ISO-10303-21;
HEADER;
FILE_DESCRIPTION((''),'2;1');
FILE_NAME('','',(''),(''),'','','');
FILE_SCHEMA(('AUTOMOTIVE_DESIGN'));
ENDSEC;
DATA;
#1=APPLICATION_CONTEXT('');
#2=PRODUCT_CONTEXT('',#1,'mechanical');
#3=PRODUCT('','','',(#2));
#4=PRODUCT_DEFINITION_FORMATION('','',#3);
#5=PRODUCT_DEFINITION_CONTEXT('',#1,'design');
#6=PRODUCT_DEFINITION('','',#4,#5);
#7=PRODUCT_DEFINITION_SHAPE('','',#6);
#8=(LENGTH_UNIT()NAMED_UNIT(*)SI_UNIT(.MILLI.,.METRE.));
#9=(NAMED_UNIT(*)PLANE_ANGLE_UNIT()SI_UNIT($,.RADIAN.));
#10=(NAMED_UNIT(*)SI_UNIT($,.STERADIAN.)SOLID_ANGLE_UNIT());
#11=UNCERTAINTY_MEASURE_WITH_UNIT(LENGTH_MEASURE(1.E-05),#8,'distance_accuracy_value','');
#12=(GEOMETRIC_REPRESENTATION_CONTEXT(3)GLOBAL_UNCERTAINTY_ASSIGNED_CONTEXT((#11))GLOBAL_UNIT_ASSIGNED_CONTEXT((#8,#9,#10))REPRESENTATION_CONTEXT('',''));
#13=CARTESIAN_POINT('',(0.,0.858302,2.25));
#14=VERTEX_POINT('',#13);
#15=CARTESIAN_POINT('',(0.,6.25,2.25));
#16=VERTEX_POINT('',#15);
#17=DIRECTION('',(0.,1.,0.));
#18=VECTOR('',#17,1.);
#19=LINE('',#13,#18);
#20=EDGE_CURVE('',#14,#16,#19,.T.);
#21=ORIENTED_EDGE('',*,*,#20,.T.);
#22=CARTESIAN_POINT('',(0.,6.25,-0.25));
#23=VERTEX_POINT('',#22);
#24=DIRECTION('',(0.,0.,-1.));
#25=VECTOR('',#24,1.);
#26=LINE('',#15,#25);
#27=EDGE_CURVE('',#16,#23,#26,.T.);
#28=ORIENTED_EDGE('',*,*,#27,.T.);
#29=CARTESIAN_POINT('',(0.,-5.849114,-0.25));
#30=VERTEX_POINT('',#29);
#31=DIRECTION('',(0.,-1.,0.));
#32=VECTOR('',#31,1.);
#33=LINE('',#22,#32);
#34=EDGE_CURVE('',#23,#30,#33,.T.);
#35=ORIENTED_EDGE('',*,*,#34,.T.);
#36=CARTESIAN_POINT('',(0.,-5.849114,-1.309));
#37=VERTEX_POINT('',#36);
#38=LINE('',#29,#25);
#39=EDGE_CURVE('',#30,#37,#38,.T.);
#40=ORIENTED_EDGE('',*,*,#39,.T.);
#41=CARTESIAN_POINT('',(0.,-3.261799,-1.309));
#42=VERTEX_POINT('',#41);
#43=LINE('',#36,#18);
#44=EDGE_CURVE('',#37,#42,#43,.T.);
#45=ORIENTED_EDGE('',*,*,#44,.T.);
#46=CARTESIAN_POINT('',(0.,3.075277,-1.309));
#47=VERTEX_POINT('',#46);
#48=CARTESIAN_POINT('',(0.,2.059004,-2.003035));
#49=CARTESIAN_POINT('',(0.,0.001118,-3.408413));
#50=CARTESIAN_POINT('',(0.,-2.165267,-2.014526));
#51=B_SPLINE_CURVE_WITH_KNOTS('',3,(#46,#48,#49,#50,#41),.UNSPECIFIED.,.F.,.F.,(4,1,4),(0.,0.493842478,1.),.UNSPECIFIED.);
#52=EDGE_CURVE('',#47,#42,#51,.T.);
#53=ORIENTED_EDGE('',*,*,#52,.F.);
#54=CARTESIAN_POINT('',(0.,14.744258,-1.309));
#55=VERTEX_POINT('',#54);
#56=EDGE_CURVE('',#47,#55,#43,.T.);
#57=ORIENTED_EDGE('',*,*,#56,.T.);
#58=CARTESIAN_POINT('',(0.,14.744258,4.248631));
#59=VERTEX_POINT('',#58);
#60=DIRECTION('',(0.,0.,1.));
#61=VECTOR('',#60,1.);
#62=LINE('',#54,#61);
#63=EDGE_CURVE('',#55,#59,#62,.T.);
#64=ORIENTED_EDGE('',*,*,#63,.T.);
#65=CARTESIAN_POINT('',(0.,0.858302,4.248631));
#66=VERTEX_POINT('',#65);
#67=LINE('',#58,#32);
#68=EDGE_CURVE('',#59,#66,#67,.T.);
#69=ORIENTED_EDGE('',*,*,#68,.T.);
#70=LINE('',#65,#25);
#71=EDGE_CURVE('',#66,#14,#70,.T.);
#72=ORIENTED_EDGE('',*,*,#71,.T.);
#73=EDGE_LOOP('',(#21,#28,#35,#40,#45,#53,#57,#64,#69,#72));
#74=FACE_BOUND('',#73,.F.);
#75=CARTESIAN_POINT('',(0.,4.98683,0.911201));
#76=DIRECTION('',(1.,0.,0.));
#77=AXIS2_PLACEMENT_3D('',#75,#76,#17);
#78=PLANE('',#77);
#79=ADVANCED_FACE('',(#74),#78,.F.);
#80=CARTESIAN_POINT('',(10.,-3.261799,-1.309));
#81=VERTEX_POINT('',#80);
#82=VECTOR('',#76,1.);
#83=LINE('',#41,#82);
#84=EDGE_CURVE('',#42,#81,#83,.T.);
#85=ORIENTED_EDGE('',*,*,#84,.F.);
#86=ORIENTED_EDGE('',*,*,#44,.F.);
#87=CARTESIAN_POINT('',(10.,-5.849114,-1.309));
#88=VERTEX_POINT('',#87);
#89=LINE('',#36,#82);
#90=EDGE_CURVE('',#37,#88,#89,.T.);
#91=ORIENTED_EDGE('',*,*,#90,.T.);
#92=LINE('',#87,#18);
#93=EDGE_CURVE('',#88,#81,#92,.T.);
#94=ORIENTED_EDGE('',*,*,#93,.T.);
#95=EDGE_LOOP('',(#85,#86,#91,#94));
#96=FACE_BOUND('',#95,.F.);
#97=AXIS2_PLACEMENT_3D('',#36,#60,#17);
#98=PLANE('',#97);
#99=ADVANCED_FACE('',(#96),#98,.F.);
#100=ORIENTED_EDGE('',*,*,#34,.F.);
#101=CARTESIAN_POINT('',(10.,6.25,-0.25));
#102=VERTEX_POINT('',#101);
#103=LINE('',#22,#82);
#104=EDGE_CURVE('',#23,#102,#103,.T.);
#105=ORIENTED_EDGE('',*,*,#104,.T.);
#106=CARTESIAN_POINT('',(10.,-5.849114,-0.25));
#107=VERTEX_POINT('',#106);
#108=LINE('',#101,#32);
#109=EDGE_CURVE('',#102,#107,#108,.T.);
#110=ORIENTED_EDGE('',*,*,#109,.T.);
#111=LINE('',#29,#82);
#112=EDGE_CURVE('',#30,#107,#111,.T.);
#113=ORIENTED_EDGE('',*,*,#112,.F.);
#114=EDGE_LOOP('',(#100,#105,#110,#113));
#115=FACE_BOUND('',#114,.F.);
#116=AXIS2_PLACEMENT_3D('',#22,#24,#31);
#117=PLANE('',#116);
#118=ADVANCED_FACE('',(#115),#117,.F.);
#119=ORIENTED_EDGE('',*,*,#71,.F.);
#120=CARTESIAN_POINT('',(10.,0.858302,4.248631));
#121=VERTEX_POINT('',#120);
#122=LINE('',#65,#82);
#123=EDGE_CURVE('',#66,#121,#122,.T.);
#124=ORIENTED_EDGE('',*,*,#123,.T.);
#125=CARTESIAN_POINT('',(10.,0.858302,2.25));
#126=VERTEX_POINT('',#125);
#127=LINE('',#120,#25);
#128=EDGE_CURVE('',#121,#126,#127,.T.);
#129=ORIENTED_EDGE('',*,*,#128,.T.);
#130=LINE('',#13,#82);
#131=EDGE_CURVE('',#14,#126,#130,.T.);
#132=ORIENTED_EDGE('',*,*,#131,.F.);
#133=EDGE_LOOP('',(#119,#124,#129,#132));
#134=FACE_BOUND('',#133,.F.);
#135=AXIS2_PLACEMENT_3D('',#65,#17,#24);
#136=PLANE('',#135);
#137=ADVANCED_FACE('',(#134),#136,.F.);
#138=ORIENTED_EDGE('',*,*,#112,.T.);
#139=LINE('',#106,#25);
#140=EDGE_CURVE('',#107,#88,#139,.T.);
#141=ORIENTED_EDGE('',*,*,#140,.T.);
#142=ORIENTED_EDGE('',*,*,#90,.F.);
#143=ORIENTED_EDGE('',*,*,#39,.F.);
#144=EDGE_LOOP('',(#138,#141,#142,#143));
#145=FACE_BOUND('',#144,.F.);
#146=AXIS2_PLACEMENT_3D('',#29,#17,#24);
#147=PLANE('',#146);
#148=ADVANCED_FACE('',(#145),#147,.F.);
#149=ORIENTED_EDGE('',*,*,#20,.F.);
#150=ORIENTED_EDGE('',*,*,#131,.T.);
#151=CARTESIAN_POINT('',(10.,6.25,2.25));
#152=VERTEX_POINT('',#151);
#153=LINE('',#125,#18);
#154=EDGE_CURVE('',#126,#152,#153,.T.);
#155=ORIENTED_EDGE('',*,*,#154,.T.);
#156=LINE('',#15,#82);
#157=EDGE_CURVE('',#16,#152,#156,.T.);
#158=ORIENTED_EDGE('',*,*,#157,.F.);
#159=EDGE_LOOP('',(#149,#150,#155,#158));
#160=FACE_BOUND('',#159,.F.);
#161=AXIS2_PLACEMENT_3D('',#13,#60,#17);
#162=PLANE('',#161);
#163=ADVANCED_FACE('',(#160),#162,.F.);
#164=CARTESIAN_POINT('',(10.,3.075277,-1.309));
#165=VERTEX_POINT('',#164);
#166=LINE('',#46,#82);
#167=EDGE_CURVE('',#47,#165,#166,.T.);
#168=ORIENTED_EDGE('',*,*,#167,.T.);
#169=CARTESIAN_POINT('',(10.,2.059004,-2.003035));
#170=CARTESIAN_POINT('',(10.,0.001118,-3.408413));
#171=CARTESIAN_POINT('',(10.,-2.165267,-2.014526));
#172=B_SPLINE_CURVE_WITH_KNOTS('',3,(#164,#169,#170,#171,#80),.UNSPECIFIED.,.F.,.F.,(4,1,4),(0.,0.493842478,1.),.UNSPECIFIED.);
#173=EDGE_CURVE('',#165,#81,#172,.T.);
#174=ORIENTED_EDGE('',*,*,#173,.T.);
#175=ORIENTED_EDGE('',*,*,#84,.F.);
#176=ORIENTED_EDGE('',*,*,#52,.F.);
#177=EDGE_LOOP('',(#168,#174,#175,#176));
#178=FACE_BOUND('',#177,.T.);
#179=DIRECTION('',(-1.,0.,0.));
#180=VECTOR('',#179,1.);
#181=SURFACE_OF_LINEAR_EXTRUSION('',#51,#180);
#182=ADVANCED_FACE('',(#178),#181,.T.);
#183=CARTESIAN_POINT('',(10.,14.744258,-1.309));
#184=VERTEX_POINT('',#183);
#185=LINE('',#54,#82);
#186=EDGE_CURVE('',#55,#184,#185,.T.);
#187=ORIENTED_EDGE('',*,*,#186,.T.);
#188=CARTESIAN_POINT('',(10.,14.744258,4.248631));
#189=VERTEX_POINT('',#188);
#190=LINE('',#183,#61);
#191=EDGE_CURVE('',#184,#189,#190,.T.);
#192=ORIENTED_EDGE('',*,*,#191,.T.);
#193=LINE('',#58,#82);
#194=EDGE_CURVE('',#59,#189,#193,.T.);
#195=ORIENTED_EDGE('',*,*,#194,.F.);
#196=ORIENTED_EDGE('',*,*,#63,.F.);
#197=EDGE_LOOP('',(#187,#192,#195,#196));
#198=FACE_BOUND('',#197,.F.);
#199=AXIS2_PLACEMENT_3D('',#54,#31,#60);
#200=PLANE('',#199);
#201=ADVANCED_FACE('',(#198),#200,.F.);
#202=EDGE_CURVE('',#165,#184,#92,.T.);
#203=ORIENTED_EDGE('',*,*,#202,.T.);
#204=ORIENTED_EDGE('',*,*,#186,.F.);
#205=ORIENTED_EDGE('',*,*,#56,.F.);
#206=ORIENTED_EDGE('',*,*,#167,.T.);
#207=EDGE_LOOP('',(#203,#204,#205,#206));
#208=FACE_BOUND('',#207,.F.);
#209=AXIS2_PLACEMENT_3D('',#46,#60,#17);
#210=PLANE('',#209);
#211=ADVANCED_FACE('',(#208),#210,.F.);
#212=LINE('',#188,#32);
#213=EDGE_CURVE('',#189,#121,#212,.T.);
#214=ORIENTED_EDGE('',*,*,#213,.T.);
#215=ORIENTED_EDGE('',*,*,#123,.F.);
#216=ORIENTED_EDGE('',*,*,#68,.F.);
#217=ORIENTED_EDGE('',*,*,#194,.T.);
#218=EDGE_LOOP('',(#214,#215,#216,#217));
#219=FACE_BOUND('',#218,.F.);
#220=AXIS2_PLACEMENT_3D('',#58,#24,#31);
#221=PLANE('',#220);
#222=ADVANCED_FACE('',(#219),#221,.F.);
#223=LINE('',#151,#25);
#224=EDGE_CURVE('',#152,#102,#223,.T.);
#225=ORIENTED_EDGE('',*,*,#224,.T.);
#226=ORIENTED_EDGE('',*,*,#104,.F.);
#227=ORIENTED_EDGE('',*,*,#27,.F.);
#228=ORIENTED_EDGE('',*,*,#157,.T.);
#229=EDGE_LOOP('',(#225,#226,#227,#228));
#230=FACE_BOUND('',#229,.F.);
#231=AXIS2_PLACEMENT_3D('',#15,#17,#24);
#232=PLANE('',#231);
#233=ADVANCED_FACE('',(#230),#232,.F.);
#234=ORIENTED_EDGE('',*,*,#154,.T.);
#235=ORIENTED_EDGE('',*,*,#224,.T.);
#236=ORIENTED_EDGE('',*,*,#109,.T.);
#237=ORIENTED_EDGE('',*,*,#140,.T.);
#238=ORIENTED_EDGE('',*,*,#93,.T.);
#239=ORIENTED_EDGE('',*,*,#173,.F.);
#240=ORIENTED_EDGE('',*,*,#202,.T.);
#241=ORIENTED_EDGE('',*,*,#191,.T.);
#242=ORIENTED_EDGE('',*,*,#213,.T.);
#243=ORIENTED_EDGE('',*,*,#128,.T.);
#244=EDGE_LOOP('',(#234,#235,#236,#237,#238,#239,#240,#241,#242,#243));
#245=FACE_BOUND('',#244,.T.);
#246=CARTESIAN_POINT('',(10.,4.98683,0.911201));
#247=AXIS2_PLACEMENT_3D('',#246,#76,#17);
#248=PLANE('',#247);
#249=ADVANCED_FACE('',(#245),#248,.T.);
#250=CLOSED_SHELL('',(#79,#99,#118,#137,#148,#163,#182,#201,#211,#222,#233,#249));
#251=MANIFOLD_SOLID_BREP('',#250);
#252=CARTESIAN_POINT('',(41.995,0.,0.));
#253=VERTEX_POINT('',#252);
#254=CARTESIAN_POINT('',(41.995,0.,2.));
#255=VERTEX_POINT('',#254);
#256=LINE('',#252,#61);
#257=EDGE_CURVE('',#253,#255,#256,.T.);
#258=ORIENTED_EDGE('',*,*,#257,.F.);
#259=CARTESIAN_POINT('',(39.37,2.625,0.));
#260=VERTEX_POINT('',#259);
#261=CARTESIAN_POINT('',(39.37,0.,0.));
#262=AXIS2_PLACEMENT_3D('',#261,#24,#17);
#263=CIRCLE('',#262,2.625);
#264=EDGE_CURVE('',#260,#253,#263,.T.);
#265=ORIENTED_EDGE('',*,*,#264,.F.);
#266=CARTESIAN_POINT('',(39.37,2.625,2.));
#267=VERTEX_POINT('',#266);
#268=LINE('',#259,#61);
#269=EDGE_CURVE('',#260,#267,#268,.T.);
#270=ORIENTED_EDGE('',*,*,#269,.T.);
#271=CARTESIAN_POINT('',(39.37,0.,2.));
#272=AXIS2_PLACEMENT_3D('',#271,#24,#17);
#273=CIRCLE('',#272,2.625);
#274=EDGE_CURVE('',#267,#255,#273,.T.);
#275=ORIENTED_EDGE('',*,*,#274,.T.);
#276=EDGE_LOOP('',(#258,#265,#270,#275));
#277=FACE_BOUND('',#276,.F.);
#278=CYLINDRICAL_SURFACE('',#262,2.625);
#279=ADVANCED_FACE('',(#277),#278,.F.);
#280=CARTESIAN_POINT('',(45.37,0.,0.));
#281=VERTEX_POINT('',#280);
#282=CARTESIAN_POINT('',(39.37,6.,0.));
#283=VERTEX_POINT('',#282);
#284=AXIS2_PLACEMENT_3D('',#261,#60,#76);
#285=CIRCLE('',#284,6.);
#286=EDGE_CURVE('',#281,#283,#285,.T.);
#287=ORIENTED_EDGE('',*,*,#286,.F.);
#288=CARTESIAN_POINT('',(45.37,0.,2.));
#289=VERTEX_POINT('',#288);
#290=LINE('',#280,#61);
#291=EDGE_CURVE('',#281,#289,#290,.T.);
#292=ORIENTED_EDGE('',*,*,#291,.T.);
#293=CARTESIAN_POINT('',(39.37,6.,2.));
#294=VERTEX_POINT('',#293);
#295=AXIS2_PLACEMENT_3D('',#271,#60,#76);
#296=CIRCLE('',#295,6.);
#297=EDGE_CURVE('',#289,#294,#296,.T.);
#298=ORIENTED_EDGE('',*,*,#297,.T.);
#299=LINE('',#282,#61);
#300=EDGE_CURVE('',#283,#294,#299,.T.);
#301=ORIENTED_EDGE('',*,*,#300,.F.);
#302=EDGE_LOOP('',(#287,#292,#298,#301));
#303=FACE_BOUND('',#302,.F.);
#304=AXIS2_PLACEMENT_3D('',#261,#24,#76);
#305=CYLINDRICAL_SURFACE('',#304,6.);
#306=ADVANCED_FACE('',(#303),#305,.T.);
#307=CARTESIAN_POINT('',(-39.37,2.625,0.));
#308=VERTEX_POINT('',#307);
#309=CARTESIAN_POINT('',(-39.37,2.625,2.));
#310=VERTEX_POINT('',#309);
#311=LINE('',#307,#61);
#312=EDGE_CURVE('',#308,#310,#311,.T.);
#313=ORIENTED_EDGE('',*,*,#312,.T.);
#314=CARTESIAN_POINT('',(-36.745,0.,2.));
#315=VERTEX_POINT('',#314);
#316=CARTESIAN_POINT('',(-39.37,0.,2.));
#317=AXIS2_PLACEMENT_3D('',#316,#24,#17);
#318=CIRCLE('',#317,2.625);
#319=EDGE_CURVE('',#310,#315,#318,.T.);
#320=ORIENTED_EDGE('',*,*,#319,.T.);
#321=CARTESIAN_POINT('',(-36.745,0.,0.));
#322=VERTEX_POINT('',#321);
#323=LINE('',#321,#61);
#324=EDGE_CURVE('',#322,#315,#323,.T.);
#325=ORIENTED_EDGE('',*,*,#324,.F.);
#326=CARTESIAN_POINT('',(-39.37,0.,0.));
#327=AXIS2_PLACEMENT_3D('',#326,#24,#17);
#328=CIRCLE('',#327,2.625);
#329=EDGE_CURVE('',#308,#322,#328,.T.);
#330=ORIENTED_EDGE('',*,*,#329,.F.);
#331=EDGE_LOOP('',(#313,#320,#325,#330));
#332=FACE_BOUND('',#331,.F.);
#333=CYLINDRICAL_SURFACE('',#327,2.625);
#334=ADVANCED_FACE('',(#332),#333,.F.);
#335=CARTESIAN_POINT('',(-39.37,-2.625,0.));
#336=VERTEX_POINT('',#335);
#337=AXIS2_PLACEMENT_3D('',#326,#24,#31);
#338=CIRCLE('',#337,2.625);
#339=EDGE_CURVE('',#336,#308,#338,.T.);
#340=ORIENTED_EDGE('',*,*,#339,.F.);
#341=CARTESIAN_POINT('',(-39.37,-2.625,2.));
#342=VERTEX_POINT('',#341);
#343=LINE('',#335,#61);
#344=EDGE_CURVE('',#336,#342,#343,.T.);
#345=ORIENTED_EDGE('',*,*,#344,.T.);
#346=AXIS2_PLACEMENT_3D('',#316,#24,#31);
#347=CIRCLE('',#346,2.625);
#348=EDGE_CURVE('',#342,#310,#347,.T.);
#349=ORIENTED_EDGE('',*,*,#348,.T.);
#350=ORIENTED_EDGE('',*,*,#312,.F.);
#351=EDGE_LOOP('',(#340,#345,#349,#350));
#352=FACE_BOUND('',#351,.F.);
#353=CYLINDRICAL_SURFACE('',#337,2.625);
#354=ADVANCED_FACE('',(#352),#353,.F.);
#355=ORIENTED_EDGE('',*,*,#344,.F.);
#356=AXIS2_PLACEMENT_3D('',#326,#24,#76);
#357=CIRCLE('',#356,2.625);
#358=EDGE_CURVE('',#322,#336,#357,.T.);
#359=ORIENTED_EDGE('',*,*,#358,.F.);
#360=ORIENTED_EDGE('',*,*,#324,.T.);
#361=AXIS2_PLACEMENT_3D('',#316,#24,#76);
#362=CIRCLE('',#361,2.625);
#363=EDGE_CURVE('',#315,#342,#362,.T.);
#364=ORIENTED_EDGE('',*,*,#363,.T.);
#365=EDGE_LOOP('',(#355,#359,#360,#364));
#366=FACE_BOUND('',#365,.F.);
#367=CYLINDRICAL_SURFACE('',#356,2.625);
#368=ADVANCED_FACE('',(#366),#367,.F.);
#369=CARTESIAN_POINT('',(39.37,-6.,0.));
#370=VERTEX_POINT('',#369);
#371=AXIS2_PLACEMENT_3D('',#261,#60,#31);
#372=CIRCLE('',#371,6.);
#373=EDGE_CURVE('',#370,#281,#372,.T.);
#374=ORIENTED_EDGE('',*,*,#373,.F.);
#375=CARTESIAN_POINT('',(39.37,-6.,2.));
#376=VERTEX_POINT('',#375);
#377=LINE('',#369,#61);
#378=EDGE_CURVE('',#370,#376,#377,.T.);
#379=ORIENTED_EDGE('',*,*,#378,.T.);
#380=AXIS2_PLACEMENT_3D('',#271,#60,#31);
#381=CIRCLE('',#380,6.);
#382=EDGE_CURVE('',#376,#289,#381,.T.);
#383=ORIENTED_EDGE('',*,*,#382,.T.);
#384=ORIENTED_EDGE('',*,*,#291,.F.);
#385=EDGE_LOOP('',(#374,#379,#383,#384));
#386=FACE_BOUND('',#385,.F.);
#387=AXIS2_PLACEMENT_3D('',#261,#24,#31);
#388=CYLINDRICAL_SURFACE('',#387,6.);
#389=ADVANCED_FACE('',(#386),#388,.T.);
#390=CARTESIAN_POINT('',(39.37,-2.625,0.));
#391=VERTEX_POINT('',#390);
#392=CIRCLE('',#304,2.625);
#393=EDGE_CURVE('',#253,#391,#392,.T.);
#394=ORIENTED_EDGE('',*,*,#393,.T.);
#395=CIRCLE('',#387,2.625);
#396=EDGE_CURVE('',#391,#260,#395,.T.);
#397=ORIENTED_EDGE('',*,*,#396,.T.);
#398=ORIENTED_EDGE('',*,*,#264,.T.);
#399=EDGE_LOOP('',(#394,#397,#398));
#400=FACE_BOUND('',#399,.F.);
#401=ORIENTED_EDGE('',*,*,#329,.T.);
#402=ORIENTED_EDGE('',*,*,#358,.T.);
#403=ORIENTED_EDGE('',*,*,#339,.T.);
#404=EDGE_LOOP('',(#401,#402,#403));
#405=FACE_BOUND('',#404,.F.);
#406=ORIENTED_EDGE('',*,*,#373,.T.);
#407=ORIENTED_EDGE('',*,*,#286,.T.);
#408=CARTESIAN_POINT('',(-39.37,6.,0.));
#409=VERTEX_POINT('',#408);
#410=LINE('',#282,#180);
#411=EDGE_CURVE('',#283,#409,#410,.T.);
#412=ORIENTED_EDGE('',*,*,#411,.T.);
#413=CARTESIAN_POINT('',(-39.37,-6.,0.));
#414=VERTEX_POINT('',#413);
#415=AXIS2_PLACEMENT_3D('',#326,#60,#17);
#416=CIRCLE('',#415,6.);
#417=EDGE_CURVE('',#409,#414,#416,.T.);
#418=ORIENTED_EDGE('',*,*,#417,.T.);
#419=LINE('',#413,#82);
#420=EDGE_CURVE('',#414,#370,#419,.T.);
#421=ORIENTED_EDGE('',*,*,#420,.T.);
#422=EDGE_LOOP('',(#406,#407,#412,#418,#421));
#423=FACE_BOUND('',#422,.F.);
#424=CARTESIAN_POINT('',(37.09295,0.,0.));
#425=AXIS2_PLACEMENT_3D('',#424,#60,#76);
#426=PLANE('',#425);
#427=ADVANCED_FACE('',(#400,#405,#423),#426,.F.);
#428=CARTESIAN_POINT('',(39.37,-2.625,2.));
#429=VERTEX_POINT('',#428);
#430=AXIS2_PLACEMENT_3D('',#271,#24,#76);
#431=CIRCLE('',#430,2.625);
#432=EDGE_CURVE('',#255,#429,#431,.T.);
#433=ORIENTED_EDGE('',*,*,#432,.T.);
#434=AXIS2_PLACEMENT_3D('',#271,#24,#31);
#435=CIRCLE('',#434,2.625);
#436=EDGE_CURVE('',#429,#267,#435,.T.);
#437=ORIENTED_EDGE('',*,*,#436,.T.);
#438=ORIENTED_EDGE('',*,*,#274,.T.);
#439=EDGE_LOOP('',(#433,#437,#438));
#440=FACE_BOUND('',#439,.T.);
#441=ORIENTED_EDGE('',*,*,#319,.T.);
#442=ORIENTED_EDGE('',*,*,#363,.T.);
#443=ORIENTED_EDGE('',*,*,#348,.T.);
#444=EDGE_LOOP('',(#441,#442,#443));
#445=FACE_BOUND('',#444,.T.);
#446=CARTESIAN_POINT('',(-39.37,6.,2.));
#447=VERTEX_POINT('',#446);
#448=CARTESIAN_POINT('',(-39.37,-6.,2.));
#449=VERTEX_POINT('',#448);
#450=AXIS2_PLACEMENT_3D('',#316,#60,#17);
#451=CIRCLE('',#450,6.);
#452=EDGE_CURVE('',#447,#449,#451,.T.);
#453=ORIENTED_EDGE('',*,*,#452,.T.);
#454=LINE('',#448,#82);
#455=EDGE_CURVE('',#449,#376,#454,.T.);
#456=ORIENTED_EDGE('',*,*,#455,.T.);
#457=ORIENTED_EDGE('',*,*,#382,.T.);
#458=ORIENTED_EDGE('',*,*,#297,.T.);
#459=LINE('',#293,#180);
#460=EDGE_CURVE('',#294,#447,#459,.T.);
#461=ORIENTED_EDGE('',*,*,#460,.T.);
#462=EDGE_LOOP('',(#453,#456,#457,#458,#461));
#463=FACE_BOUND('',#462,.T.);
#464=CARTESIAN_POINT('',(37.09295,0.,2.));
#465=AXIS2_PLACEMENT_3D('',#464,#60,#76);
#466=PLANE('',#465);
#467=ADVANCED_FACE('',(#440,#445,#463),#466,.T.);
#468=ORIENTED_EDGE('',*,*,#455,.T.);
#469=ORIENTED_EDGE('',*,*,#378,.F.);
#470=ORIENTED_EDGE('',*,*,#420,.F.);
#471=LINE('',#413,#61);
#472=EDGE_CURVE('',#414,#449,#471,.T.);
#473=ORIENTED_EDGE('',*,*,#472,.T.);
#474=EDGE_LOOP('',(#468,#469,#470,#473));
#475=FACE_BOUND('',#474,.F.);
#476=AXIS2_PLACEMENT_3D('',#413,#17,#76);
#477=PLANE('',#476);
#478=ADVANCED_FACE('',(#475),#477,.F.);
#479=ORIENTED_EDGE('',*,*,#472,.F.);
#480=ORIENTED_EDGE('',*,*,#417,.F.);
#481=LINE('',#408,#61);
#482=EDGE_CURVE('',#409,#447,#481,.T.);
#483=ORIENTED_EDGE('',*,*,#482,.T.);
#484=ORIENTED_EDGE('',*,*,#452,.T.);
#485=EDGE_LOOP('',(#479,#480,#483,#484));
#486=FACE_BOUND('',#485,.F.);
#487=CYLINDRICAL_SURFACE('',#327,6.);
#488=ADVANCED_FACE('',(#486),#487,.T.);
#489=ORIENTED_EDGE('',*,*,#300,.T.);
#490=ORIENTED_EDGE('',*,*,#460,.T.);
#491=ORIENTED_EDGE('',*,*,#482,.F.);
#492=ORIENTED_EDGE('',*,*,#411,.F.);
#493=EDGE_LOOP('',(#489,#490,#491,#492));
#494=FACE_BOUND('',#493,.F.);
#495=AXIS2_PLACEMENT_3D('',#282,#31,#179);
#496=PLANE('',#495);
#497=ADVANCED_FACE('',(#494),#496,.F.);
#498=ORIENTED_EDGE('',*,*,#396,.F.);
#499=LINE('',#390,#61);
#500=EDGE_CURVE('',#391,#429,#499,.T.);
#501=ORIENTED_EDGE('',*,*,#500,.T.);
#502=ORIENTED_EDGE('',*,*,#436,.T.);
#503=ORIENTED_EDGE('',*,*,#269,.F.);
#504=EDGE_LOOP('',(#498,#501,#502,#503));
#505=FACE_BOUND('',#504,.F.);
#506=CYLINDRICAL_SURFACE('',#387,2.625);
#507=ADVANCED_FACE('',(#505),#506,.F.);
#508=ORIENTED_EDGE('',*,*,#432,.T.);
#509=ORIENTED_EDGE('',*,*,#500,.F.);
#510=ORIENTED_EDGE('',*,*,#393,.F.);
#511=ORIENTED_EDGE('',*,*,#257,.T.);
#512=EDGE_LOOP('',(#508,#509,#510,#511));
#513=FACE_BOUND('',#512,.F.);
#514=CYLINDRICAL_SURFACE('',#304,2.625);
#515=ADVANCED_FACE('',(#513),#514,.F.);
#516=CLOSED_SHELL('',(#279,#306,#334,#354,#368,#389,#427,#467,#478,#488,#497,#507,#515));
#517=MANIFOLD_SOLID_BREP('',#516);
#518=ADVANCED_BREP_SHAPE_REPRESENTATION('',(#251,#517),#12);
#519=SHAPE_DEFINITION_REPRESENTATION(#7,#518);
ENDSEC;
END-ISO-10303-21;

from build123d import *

# Parameters (mm, degrees)
F1_DEPTH = 2
F3_DEPTH = 10


with BuildPart() as f1:
    # F0 (on Top) → F1 (new body)
    with BuildSketch(Plane.XY):
        with BuildLine():
            ThreePointArc((39.37, 6), (33.37, 0), (39.37, -6))
            Line((39.37, -6), (39.37, -2.625))
            ThreePointArc((39.37, -2.625), (36.745, 0), (39.37, 2.625))
            Line((39.37, 2.625), (39.37, 6))
        make_face()
        with BuildLine():
            Line((-39.37, -6), (39.37, -6))
            ThreePointArc((39.37, -6), (33.37, 0), (39.37, 6))
            Line((39.37, 6), (-39.37, 6))
            ThreePointArc((-39.37, 6), (-35.1273593129, 4.2426406871), (-33.37, 0))
            ThreePointArc((-33.37, 0), (-35.1273593129, -4.2426406871), (-39.37, -6))
        make_face()
        with BuildLine():
            Line((39.37, -2.625), (39.37, -6))
            ThreePointArc((39.37, -6), (43.6126406871, -4.2426406871), (45.37, 0))
            ThreePointArc((45.37, 0), (43.6126406871, 4.2426406871), (39.37, 6))
            Line((39.37, 6), (39.37, 2.625))
            ThreePointArc((39.37, 2.625), (41.2261553006, 1.8561553006), (41.995, 0))
            ThreePointArc((41.995, 0), (41.2261553006, -1.8561553006), (39.37, -2.625))
        make_face()
        with BuildLine():
            ThreePointArc((-39.37, 6), (-45.37, 0), (-39.37, -6))
            Line((-39.37, -6), (-39.37, -2.625))
            ThreePointArc((-39.37, -2.625), (-41.995, 0), (-39.37, 2.625))
            Line((-39.37, 2.625), (-39.37, 6))
        make_face()
        with BuildLine():
            Line((-39.37, -2.625), (-39.37, -6))
            ThreePointArc((-39.37, -6), (-35.1273593129, -4.2426406871), (-33.37, 0))
            ThreePointArc((-33.37, 0), (-35.1273593129, 4.2426406871), (-39.37, 6))
            Line((-39.37, 6), (-39.37, 2.625))
            ThreePointArc((-39.37, 2.625), (-37.5138446994, 1.8561553006), (-36.745, 0))
            ThreePointArc((-36.745, 0), (-37.5138446994, -1.8561553006), (-39.37, -2.625))
        make_face()
    extrude(amount=F1_DEPTH)


with BuildPart() as f3:
    # F2 (on Right) → F3 (new body)
    with BuildSketch(Plane.YZ):
        Polygon((-5.8491136879, -0.25), (-5.8491136879, -1.309), (-3.2617992256, -1.309), (3.0752765015, -1.309), (14.7442575544, -1.309), (14.7442575544, 4.2486305851), (0.8583019953, 4.2486305851), (0.8583019953, 2.25), (6.25, 2.25), (6.25, -0.25), align=None)
        with BuildLine():
            Line((3.0752765015, -1.309), (-3.2617992256, -1.309))
            add(Edge.make_bspline(
                [(3.0752765015, -1.309), (2.0590044977, -2.0030352081), (0.001117523, -3.4084129117), (-2.1652672685, -2.0145262289), (-3.2617992256, -1.309)],
                knots=[0, 0, 0, 0, 0.4938424783, 1, 1, 1, 1], degree=3))
        make_face()
    extrude(amount=F3_DEPTH)


solid = Compound([f1.part, f3.part])
